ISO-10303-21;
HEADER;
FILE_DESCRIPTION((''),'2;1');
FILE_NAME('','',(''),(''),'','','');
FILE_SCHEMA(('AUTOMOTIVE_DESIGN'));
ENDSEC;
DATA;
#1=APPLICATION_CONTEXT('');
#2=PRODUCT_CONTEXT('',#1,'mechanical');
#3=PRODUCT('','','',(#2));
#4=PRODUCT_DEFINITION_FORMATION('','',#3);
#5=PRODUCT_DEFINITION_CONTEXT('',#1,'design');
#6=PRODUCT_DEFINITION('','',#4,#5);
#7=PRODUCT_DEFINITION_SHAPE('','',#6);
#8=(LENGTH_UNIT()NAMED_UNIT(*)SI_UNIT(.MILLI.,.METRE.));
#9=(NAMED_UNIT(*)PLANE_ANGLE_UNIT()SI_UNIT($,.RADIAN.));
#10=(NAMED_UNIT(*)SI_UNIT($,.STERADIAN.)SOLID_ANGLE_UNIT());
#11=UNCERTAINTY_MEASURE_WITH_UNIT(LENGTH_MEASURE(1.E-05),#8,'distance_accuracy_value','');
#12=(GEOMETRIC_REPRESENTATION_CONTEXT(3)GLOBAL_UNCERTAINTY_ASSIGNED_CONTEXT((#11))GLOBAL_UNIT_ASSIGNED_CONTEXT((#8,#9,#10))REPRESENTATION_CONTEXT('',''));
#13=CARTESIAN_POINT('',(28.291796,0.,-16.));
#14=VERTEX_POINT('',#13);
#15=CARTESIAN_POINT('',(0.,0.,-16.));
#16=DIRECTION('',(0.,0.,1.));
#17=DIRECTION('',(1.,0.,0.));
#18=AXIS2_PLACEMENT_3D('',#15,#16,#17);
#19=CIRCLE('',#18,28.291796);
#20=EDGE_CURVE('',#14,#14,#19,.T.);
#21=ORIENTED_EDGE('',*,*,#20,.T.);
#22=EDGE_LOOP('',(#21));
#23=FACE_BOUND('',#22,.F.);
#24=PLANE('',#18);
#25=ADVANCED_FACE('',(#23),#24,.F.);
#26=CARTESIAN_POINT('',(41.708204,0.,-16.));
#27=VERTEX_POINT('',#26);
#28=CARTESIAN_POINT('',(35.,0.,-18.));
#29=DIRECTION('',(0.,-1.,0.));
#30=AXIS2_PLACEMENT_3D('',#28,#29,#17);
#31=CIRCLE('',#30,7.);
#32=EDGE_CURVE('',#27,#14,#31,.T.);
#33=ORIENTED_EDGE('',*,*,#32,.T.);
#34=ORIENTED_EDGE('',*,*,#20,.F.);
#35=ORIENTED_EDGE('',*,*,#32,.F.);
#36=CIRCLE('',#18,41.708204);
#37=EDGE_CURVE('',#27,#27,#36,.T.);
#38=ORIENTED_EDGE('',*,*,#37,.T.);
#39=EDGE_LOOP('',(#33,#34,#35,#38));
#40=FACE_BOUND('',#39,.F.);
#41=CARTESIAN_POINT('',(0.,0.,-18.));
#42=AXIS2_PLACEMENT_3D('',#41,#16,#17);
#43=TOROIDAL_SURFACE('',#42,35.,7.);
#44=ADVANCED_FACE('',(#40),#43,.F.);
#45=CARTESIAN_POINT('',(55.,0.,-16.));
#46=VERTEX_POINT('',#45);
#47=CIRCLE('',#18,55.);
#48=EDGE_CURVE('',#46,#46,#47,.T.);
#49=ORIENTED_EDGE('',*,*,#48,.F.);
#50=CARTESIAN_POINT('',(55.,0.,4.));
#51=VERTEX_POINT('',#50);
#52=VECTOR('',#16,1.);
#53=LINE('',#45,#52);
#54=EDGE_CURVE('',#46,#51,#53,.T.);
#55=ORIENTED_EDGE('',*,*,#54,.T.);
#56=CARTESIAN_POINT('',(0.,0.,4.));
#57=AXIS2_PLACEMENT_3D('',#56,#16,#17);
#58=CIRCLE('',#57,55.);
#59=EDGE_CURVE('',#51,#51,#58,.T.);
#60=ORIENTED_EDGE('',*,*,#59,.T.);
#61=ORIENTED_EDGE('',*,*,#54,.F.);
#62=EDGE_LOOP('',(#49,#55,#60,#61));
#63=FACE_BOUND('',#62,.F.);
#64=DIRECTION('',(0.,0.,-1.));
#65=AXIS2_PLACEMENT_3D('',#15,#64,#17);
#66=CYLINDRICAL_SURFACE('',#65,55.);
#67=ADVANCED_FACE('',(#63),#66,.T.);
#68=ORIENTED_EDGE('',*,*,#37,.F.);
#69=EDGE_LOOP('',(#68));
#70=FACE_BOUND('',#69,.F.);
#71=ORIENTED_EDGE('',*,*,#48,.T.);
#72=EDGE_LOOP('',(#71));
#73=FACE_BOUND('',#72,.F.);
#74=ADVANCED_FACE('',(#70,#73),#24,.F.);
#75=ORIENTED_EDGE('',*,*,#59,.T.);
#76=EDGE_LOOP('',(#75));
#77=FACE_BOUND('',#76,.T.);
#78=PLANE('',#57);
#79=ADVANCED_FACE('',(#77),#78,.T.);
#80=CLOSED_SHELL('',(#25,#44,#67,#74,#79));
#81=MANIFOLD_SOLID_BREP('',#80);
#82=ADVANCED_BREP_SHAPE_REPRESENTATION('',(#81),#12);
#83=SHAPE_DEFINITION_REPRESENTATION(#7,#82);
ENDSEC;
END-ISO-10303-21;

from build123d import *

# Parameters (mm, degrees)
TORUS_R        = 7
CYLINDER_R     = 55
CYLINDER_DEPTH = 20


with BuildPart() as torus:
    # Torus → Torus (revolve)
    with BuildSketch(Plane(origin=(0, 0, -18), x_dir=(1, 0, 0), z_dir=(0, -1, 0))):
        with Locations((35, 0)):
            Circle(TORUS_R)
    revolve(axis=Axis((0, 0, -18), (0, 0, 1)))


with BuildPart() as cut001:
    # Cylinder → Cylinder (new body)
    with BuildSketch(Plane.XY.offset(-16)):
        Circle(CYLINDER_R)
    extrude(amount=CYLINDER_DEPTH)

    # Cut001: cut Torus
    add(torus.part, mode=Mode.SUBTRACT)


solid = cut001.part
